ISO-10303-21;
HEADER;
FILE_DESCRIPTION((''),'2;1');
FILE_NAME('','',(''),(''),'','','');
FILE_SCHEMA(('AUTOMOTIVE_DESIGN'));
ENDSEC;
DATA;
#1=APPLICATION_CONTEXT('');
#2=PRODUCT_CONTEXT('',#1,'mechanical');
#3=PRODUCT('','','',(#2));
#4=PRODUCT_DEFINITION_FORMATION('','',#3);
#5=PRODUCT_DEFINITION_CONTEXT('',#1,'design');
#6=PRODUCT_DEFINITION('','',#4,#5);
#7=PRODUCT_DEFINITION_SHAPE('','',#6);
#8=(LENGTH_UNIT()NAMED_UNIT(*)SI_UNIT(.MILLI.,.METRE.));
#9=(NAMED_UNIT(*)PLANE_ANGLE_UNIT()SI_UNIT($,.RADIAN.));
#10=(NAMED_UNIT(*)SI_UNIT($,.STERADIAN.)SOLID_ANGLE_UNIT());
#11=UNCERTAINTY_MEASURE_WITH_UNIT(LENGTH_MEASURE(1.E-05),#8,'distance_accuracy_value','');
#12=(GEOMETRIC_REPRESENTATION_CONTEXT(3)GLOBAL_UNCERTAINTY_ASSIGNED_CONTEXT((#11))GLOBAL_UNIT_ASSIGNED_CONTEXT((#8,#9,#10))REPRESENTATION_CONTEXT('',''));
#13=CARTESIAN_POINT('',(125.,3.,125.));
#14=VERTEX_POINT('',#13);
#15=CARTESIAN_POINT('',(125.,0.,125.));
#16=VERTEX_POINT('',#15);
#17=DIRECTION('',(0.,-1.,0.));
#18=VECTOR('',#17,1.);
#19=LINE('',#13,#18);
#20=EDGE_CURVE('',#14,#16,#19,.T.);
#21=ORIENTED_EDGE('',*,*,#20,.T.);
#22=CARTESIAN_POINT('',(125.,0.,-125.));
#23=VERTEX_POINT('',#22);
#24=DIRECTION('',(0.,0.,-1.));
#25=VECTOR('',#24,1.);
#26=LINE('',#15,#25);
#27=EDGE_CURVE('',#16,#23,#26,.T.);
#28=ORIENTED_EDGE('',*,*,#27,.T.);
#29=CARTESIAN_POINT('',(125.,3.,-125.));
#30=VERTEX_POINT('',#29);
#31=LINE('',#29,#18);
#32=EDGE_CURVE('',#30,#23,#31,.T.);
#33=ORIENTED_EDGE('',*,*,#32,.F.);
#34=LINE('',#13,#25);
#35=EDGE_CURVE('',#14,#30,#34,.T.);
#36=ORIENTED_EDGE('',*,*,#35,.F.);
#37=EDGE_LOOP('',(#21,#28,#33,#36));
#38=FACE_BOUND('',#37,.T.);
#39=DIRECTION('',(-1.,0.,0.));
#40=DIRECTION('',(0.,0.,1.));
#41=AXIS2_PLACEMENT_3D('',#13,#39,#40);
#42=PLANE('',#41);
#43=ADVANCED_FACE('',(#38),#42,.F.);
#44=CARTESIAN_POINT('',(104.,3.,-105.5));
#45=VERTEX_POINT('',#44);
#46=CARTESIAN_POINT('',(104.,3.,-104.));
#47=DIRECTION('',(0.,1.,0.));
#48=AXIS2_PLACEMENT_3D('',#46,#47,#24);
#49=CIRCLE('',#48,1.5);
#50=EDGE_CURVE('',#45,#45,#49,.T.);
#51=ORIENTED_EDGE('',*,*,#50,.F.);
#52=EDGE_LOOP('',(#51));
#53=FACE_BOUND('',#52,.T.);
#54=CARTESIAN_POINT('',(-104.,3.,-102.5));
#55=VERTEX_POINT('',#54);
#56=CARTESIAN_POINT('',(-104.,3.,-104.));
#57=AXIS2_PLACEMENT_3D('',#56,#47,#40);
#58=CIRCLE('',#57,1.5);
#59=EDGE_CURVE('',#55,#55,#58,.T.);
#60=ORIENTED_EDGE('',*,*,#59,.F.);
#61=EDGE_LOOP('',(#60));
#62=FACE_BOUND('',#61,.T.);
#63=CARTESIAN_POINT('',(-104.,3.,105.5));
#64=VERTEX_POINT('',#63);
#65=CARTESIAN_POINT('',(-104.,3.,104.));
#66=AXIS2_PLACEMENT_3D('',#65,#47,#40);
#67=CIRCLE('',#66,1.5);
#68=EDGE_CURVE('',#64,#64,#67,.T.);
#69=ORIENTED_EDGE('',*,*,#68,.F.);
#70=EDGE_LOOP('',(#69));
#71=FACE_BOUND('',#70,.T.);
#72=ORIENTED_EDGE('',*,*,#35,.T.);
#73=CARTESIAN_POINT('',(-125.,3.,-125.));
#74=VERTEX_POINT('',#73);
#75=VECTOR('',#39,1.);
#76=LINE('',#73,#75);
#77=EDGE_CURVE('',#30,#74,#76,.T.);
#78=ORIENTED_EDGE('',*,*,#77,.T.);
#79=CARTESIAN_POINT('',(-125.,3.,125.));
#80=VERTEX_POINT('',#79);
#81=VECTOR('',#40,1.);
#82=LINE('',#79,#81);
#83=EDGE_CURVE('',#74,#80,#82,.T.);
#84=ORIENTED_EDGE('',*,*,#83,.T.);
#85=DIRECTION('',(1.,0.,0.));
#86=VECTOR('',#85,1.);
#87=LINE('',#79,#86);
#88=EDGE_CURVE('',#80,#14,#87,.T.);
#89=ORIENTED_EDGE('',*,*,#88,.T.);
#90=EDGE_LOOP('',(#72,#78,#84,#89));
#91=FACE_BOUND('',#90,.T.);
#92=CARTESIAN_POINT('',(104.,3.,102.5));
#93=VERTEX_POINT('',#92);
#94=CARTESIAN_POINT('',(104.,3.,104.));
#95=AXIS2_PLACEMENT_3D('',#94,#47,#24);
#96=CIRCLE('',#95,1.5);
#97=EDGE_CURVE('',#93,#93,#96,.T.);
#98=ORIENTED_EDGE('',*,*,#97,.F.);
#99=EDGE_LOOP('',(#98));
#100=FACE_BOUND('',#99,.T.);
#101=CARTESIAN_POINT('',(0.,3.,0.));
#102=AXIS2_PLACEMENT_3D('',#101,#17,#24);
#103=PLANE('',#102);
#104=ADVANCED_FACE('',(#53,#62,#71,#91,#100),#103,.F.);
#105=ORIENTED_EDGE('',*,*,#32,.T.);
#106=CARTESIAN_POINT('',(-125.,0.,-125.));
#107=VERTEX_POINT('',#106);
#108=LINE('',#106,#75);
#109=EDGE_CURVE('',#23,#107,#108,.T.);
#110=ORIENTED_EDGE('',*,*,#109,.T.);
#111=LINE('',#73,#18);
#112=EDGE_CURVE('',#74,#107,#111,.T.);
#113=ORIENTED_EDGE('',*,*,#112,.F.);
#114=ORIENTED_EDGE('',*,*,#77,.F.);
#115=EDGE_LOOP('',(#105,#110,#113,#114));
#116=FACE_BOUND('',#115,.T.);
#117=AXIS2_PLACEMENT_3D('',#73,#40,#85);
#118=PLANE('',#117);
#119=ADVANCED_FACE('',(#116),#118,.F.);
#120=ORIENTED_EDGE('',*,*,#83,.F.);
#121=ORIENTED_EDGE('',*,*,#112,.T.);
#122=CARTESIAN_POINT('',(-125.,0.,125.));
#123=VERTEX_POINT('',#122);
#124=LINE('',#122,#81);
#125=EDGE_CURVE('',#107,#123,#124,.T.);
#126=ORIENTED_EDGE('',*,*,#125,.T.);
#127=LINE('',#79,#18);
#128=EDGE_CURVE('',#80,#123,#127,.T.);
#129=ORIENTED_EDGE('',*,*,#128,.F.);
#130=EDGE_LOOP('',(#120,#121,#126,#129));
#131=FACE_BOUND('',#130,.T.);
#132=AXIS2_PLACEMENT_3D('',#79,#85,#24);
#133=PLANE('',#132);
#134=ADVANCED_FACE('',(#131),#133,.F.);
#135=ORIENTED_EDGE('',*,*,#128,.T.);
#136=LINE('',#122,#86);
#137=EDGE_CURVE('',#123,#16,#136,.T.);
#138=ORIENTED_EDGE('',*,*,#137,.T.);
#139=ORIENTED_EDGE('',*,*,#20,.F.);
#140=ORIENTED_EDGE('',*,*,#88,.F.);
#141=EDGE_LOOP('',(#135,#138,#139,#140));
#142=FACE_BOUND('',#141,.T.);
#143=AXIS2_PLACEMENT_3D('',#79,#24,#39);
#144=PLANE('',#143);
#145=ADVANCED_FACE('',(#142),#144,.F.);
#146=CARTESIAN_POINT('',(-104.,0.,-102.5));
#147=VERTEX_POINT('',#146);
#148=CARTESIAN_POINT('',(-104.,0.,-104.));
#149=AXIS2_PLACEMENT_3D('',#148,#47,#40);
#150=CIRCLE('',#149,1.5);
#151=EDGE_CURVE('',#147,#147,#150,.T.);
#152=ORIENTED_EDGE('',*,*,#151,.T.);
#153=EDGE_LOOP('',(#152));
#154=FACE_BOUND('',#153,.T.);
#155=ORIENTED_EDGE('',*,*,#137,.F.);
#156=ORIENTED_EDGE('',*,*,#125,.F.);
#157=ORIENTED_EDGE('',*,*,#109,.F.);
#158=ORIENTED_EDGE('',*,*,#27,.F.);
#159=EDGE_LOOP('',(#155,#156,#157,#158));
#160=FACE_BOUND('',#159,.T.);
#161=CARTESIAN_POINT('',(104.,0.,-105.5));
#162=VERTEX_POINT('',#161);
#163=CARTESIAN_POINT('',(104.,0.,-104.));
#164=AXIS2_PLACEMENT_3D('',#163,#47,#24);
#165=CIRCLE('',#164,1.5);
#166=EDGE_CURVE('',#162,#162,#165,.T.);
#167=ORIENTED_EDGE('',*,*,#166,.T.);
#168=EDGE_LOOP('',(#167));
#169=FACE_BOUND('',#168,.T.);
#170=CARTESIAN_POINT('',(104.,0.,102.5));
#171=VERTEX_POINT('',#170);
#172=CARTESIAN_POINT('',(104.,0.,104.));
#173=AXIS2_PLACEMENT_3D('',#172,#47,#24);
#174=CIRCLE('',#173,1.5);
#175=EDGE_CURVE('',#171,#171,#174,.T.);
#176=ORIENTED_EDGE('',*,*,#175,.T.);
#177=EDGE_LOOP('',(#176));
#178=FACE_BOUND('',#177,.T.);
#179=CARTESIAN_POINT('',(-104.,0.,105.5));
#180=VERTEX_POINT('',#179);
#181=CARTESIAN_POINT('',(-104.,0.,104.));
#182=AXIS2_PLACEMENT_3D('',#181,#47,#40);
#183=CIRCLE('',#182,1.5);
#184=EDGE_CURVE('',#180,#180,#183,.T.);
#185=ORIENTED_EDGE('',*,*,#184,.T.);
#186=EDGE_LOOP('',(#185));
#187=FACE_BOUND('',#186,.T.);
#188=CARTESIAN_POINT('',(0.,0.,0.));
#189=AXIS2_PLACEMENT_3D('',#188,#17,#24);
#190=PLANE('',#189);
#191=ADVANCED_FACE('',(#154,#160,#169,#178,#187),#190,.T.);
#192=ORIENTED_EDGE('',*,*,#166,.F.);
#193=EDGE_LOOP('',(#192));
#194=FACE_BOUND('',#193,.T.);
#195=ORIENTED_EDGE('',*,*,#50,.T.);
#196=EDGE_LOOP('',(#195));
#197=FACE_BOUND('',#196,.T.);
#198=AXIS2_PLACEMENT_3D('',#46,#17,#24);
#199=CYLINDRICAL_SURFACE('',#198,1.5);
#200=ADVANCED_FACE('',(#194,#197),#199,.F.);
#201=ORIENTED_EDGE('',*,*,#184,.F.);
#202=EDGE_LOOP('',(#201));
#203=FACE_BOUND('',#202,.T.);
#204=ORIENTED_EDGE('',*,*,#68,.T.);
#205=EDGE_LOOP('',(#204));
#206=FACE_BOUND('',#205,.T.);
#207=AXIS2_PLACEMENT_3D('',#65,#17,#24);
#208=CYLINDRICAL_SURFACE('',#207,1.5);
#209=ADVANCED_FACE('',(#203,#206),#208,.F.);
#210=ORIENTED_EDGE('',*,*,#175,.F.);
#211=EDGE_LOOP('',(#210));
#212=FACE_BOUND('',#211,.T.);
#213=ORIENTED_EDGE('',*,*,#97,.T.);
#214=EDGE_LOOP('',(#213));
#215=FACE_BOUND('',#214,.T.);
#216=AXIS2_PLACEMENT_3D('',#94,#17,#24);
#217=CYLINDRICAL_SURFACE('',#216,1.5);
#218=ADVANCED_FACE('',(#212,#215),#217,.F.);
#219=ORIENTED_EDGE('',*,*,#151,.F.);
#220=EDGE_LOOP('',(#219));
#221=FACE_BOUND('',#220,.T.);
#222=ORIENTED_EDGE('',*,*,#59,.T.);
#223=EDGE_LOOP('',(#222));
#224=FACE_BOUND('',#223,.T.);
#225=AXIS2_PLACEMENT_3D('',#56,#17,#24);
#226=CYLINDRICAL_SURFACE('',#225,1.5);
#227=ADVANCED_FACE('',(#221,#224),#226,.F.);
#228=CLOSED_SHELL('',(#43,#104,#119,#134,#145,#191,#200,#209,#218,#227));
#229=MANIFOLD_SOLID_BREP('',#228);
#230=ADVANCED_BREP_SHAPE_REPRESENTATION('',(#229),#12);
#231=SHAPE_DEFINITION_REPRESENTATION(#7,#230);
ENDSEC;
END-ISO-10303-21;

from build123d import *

# Parameters (mm, degrees)
ESBO_O1_W                = 250
ESBO_O1_H                = 250
ESBO_O1_R                = 1.5
RESSALTO_EXTRUS_O1_DEPTH = 3


with BuildPart() as part:
    # Esboço1 → Ressalto-extrusão1 (new body)
    with BuildSketch(Plane(origin=(0, 0, 0), x_dir=(1, 0, 0), z_dir=(0, 1, 0))):
        Rectangle(ESBO_O1_W, ESBO_O1_H)
        with Locations((-104, 104)):
            Circle(ESBO_O1_R, mode=Mode.SUBTRACT)
        with Locations((-104, -104)):
            Circle(ESBO_O1_R, mode=Mode.SUBTRACT)
        with Locations((104, -104)):
            Circle(ESBO_O1_R, mode=Mode.SUBTRACT)
        with Locations((104, 104)):
            Circle(ESBO_O1_R, mode=Mode.SUBTRACT)
    extrude(amount=RESSALTO_EXTRUS_O1_DEPTH)


solid = part.part
